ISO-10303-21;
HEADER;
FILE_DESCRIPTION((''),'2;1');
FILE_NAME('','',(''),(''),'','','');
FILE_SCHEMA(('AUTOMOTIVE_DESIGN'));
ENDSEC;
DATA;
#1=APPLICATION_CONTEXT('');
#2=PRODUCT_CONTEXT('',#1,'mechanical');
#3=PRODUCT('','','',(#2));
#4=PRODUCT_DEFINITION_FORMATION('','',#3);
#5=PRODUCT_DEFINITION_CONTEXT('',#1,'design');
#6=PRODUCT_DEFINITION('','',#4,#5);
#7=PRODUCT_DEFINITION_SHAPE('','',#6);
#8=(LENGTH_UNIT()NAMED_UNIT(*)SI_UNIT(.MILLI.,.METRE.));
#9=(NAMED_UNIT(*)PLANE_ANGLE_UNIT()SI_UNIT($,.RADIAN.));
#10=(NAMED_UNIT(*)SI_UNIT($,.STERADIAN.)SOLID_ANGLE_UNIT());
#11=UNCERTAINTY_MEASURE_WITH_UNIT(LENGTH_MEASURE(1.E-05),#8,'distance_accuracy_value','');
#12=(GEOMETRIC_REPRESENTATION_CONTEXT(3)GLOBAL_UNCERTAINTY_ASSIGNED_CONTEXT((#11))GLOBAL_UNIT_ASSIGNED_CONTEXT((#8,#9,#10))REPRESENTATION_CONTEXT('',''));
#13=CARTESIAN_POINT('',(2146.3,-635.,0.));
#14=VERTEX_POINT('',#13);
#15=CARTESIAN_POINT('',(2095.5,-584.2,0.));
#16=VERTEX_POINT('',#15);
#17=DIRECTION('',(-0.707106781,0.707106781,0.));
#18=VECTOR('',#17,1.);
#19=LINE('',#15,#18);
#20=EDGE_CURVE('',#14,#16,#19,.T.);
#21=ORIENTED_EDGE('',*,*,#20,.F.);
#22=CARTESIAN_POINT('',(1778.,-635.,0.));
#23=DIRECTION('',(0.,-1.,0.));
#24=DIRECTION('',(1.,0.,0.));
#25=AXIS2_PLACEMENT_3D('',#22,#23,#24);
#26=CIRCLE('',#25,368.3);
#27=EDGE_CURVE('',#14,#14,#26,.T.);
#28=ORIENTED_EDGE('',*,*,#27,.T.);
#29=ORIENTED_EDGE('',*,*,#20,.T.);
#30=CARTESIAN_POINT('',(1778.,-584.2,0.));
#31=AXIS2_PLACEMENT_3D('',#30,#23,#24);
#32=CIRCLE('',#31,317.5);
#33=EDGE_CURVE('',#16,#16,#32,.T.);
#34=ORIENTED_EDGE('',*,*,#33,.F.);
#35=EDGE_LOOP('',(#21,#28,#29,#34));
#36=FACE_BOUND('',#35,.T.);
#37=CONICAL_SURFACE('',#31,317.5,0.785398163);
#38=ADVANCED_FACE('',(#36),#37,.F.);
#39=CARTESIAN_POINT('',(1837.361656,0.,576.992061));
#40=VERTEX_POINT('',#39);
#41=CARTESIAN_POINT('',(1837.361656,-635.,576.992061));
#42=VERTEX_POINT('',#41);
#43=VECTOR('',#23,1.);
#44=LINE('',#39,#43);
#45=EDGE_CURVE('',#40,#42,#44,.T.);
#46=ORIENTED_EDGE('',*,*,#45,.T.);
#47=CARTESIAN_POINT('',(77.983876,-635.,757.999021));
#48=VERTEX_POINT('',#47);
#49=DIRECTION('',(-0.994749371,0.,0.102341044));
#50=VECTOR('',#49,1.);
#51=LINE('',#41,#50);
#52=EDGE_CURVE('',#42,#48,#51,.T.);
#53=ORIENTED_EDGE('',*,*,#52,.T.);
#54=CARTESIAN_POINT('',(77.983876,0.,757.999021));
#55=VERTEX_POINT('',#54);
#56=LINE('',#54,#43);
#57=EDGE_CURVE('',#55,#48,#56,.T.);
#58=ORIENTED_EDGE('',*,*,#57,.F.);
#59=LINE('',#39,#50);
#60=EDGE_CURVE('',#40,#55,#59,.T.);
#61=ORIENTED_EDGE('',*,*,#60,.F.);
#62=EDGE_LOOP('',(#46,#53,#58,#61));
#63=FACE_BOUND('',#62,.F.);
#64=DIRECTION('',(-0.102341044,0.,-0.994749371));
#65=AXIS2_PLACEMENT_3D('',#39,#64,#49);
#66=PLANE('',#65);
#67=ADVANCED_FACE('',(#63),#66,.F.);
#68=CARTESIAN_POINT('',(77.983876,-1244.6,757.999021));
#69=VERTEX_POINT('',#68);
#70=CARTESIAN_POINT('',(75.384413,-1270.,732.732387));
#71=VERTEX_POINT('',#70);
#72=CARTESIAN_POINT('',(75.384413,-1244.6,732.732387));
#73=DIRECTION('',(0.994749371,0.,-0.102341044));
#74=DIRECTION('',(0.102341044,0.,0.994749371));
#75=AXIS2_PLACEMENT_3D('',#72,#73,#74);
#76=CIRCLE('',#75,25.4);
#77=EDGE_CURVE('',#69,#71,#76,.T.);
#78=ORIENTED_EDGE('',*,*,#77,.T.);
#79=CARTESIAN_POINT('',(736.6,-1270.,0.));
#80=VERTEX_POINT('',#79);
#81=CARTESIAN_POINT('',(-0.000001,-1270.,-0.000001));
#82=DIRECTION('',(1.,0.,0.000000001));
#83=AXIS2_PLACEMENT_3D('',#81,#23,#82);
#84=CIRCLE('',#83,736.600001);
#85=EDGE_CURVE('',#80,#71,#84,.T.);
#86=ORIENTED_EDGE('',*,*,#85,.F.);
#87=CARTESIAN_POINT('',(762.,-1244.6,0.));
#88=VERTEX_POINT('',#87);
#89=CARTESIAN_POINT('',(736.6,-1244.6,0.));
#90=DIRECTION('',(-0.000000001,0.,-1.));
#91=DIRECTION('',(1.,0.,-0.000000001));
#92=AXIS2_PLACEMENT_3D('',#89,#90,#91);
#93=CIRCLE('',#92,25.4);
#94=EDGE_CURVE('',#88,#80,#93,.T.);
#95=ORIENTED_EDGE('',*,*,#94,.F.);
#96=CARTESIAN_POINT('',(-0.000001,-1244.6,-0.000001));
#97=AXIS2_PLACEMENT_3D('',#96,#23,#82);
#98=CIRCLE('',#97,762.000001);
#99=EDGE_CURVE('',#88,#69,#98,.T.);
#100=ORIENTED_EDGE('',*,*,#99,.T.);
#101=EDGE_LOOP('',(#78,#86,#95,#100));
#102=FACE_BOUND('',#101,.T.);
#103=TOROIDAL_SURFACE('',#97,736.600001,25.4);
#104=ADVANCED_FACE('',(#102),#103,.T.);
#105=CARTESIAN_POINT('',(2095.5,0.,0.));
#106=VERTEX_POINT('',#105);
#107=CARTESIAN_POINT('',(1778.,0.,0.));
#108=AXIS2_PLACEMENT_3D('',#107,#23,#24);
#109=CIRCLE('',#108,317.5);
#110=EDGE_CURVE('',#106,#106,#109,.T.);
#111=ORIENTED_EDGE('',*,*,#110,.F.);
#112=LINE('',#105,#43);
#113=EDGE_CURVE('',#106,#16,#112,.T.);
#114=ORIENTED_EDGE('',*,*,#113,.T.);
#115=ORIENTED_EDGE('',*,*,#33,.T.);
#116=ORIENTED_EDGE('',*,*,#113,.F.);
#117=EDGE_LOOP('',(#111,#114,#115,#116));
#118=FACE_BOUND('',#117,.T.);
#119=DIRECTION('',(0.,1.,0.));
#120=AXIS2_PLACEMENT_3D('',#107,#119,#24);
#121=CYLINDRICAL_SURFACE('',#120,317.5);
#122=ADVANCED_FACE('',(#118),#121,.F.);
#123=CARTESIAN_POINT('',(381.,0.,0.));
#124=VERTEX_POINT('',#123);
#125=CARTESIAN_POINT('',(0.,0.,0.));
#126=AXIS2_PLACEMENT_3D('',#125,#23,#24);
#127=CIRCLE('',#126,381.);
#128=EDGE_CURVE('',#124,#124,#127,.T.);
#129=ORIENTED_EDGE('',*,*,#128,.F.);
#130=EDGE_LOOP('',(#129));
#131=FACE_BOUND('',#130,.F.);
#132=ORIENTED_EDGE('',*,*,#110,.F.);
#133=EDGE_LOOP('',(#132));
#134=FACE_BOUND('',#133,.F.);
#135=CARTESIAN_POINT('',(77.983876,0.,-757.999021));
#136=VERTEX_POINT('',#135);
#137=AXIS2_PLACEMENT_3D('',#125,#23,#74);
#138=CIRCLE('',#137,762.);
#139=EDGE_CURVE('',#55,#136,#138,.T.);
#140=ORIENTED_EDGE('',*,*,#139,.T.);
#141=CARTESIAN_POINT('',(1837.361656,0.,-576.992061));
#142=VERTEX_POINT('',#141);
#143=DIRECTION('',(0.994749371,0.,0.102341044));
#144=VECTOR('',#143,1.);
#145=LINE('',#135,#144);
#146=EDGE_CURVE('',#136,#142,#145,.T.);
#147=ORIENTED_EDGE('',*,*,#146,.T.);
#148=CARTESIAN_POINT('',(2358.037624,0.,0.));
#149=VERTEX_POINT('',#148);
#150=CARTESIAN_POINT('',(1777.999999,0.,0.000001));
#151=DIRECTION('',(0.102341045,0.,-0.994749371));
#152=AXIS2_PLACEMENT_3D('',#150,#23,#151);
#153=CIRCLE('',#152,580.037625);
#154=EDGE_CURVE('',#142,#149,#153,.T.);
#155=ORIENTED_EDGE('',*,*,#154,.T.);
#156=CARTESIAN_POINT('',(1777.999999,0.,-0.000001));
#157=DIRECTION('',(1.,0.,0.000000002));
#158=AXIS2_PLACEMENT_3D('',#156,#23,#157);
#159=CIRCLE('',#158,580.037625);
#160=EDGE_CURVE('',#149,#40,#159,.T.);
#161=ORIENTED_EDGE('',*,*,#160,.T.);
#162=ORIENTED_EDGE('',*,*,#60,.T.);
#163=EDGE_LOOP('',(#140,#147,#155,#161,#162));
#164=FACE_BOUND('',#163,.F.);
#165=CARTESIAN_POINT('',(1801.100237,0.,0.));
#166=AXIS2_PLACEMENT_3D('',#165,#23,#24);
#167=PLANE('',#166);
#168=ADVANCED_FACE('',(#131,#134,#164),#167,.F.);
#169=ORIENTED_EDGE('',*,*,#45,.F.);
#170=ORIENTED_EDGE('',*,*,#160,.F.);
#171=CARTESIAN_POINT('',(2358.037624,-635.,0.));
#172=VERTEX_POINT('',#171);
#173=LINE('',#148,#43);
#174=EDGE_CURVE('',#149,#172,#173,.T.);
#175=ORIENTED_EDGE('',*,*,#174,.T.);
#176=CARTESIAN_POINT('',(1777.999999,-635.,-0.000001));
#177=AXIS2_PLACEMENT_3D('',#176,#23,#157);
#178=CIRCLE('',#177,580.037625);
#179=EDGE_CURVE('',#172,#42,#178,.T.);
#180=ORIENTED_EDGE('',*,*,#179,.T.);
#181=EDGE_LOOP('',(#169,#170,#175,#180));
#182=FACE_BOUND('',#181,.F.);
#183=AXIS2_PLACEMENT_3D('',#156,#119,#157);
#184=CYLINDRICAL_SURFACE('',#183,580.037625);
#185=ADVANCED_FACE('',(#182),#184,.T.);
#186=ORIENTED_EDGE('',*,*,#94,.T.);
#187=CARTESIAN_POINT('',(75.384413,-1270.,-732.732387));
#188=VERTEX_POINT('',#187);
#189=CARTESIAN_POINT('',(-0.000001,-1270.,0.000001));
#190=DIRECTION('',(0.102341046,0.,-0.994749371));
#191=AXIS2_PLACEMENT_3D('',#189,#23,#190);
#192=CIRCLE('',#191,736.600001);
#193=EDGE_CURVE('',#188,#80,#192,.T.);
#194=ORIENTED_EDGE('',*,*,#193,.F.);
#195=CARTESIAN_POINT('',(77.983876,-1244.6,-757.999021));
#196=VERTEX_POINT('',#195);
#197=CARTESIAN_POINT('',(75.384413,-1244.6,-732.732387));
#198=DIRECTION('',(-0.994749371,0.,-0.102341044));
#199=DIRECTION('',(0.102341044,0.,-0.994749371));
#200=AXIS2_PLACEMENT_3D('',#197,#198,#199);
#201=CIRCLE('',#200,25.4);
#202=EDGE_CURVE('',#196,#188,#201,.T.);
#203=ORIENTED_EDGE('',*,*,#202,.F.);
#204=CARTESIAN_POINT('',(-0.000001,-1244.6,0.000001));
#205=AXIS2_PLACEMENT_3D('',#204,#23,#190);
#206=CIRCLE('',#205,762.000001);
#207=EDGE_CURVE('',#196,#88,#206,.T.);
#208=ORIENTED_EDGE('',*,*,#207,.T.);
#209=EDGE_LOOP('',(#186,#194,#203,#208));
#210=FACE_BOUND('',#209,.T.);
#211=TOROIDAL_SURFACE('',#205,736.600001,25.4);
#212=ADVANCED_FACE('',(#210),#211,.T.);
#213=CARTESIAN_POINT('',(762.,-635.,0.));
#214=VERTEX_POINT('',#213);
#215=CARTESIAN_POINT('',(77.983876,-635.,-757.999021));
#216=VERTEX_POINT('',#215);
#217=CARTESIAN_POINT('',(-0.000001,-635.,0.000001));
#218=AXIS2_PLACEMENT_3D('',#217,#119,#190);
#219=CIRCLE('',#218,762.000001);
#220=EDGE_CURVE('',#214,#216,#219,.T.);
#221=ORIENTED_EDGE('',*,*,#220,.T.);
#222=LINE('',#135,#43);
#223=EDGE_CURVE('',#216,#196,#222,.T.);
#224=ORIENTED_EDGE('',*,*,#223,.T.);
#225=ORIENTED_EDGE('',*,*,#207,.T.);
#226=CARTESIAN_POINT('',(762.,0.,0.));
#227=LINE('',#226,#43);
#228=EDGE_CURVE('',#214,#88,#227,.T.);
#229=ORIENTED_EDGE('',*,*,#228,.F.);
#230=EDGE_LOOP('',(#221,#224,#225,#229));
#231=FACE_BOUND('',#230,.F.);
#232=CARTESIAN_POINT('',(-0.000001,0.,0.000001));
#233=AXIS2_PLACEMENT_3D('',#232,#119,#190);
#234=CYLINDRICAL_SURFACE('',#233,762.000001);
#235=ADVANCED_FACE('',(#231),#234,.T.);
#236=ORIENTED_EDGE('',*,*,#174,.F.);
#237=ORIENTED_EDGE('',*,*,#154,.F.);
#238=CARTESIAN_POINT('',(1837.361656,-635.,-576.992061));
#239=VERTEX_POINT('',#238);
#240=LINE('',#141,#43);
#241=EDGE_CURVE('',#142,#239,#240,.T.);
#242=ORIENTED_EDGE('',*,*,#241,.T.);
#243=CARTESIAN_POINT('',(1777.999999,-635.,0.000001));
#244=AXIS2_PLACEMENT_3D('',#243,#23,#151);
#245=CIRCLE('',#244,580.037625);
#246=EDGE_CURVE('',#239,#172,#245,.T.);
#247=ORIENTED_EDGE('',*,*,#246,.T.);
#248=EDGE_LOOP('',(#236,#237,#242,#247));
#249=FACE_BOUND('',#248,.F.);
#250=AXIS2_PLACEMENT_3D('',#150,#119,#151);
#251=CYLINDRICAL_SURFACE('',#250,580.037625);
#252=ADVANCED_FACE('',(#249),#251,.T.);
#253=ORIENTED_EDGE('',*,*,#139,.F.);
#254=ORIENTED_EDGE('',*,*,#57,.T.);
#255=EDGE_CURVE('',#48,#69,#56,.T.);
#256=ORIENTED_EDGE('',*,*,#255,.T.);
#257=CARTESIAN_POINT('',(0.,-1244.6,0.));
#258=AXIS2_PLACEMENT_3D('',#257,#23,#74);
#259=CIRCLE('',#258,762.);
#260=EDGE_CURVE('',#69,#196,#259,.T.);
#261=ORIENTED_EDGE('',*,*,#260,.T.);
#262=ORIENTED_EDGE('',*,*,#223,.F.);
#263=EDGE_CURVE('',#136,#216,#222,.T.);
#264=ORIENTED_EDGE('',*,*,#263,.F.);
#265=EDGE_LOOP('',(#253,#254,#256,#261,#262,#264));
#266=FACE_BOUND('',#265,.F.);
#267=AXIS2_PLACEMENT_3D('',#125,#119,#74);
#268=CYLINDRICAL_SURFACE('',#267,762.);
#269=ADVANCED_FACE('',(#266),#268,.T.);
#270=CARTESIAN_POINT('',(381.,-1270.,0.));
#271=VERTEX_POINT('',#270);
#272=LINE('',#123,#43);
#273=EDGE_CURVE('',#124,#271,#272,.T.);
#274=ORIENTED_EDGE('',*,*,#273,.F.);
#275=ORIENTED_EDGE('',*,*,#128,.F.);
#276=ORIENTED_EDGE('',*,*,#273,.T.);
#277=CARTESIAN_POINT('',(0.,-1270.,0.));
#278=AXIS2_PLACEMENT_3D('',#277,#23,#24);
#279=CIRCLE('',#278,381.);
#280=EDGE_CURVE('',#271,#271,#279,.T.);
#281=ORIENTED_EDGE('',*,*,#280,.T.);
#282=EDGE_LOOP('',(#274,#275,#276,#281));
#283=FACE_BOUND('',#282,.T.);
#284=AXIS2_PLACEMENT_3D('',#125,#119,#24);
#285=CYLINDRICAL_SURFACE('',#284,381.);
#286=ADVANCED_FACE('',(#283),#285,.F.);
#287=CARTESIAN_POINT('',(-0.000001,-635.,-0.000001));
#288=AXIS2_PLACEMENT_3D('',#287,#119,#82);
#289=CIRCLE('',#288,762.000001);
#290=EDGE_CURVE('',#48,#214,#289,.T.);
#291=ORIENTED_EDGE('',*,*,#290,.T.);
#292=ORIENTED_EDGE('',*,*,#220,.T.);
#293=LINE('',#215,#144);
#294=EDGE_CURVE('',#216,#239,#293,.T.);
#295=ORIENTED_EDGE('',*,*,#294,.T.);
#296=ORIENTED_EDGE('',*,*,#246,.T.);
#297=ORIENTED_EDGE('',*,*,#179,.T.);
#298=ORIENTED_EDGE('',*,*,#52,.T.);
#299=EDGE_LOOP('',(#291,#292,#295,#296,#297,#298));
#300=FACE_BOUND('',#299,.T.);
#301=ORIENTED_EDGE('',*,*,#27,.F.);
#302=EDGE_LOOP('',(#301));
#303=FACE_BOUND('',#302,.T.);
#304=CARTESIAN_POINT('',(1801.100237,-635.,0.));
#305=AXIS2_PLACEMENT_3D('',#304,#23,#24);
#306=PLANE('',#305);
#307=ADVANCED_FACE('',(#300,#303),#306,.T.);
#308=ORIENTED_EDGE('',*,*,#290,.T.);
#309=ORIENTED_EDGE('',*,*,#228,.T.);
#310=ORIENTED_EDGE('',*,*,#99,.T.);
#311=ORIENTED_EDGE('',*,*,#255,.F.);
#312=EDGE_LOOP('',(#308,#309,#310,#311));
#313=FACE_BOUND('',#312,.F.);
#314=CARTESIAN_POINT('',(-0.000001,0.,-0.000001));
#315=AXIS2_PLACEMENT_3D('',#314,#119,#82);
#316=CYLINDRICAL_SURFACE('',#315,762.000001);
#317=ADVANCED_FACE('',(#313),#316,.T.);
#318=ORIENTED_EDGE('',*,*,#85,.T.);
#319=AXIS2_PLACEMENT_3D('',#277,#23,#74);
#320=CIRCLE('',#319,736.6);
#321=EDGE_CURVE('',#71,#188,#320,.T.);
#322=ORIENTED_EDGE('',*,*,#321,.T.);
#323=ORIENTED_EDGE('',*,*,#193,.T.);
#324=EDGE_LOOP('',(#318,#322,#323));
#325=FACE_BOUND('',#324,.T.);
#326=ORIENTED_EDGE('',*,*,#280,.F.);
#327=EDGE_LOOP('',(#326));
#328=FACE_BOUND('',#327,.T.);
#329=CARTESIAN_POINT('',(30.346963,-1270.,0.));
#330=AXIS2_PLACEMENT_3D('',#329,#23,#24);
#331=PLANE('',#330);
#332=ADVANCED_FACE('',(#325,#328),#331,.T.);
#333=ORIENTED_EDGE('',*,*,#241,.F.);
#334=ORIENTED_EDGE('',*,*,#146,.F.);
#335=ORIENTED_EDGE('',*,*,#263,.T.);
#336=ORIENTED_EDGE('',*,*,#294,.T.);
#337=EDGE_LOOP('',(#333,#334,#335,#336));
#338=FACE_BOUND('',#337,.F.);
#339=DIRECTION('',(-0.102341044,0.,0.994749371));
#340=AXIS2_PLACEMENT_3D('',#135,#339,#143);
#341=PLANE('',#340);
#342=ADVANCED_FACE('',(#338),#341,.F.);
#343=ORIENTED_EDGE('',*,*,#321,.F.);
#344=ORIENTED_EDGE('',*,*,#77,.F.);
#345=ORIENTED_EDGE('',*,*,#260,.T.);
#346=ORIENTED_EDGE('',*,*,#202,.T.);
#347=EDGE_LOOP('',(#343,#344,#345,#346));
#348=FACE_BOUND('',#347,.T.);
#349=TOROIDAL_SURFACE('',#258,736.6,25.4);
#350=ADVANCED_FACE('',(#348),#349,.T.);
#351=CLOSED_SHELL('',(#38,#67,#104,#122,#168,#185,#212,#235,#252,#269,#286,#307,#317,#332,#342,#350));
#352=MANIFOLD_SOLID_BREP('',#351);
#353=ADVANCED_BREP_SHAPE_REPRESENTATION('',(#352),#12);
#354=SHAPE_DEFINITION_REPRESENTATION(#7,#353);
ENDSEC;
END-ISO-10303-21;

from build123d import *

# Parameters (mm, degrees)
F0_R     = 317.5
F0_R_2   = 381
F1_DEPTH = 635
F2_DEPTH = 1270
F3_R     = 25.4
F4_SIZE  = 50.8


with BuildPart() as f1:
    # F0 (on Front) → F1 (new body)
    with BuildSketch(Plane.XZ):
        with BuildLine():
            ThreePointArc((2358.037624, 0), (2208.624917, 388.59468), (1837.361656, 576.992061))
            ThreePointArc((1837.361656, 576.992061), (1197.962376, 0), (1837.361656, -576.992061))
            ThreePointArc((1837.361656, -576.992061), (2208.624917, -388.59468), (2358.037624, 0))
        make_face()
        with Locations((1778, 0)):
            Circle(F0_R, mode=Mode.SUBTRACT)
        with BuildLine():
            ThreePointArc((77.983876, -757.999021), (565.715349, -510.499896), (762, 0))
            ThreePointArc((762, 0), (565.715349, 510.499896), (77.983876, 757.999021))
            ThreePointArc((77.983876, 757.999021), (-762, 0), (77.983876, -757.999021))
        make_face()
        Circle(F0_R_2, mode=Mode.SUBTRACT)
        with BuildLine():
            ThreePointArc((77.983876, 757.999021), (565.715349, 510.499896), (762, 0))
            ThreePointArc((762, 0), (565.715349, -510.499896), (77.983876, -757.999021))
            Line((77.983876, -757.999021), (1837.361656, -576.992061))
            ThreePointArc((1837.361656, -576.992061), (1197.962376, 0), (1837.361656, 576.992061))
            Line((1837.361656, 576.992061), (77.983876, 757.999021))
        make_face()
    extrude(amount=F1_DEPTH)

    # F0 (on Front) → F2 (join)
    with BuildSketch(Plane.XZ):
        with BuildLine():
            ThreePointArc((77.983876, -757.999021), (565.715349, -510.499896), (762, 0))
            ThreePointArc((762, 0), (565.715349, 510.499896), (77.983876, 757.999021))
            ThreePointArc((77.983876, 757.999021), (-762, 0), (77.983876, -757.999021))
        make_face()
        Circle(F0_R_2, mode=Mode.SUBTRACT)
    extrude(amount=F2_DEPTH)

    # F3
    f3_edges = [f1.edges().sort_by_distance(p)[0] for p in [
        (-77.983876, -1270, 757.999021),
    ]]
    fillet(f3_edges, radius=F3_R)

    # F4
    f4_edges = [f1.edges().sort_by_distance(p)[0] for p in [
        (1460.5, -635, 0),
    ]]
    chamfer(f4_edges, length=F4_SIZE)


solid = f1.part
